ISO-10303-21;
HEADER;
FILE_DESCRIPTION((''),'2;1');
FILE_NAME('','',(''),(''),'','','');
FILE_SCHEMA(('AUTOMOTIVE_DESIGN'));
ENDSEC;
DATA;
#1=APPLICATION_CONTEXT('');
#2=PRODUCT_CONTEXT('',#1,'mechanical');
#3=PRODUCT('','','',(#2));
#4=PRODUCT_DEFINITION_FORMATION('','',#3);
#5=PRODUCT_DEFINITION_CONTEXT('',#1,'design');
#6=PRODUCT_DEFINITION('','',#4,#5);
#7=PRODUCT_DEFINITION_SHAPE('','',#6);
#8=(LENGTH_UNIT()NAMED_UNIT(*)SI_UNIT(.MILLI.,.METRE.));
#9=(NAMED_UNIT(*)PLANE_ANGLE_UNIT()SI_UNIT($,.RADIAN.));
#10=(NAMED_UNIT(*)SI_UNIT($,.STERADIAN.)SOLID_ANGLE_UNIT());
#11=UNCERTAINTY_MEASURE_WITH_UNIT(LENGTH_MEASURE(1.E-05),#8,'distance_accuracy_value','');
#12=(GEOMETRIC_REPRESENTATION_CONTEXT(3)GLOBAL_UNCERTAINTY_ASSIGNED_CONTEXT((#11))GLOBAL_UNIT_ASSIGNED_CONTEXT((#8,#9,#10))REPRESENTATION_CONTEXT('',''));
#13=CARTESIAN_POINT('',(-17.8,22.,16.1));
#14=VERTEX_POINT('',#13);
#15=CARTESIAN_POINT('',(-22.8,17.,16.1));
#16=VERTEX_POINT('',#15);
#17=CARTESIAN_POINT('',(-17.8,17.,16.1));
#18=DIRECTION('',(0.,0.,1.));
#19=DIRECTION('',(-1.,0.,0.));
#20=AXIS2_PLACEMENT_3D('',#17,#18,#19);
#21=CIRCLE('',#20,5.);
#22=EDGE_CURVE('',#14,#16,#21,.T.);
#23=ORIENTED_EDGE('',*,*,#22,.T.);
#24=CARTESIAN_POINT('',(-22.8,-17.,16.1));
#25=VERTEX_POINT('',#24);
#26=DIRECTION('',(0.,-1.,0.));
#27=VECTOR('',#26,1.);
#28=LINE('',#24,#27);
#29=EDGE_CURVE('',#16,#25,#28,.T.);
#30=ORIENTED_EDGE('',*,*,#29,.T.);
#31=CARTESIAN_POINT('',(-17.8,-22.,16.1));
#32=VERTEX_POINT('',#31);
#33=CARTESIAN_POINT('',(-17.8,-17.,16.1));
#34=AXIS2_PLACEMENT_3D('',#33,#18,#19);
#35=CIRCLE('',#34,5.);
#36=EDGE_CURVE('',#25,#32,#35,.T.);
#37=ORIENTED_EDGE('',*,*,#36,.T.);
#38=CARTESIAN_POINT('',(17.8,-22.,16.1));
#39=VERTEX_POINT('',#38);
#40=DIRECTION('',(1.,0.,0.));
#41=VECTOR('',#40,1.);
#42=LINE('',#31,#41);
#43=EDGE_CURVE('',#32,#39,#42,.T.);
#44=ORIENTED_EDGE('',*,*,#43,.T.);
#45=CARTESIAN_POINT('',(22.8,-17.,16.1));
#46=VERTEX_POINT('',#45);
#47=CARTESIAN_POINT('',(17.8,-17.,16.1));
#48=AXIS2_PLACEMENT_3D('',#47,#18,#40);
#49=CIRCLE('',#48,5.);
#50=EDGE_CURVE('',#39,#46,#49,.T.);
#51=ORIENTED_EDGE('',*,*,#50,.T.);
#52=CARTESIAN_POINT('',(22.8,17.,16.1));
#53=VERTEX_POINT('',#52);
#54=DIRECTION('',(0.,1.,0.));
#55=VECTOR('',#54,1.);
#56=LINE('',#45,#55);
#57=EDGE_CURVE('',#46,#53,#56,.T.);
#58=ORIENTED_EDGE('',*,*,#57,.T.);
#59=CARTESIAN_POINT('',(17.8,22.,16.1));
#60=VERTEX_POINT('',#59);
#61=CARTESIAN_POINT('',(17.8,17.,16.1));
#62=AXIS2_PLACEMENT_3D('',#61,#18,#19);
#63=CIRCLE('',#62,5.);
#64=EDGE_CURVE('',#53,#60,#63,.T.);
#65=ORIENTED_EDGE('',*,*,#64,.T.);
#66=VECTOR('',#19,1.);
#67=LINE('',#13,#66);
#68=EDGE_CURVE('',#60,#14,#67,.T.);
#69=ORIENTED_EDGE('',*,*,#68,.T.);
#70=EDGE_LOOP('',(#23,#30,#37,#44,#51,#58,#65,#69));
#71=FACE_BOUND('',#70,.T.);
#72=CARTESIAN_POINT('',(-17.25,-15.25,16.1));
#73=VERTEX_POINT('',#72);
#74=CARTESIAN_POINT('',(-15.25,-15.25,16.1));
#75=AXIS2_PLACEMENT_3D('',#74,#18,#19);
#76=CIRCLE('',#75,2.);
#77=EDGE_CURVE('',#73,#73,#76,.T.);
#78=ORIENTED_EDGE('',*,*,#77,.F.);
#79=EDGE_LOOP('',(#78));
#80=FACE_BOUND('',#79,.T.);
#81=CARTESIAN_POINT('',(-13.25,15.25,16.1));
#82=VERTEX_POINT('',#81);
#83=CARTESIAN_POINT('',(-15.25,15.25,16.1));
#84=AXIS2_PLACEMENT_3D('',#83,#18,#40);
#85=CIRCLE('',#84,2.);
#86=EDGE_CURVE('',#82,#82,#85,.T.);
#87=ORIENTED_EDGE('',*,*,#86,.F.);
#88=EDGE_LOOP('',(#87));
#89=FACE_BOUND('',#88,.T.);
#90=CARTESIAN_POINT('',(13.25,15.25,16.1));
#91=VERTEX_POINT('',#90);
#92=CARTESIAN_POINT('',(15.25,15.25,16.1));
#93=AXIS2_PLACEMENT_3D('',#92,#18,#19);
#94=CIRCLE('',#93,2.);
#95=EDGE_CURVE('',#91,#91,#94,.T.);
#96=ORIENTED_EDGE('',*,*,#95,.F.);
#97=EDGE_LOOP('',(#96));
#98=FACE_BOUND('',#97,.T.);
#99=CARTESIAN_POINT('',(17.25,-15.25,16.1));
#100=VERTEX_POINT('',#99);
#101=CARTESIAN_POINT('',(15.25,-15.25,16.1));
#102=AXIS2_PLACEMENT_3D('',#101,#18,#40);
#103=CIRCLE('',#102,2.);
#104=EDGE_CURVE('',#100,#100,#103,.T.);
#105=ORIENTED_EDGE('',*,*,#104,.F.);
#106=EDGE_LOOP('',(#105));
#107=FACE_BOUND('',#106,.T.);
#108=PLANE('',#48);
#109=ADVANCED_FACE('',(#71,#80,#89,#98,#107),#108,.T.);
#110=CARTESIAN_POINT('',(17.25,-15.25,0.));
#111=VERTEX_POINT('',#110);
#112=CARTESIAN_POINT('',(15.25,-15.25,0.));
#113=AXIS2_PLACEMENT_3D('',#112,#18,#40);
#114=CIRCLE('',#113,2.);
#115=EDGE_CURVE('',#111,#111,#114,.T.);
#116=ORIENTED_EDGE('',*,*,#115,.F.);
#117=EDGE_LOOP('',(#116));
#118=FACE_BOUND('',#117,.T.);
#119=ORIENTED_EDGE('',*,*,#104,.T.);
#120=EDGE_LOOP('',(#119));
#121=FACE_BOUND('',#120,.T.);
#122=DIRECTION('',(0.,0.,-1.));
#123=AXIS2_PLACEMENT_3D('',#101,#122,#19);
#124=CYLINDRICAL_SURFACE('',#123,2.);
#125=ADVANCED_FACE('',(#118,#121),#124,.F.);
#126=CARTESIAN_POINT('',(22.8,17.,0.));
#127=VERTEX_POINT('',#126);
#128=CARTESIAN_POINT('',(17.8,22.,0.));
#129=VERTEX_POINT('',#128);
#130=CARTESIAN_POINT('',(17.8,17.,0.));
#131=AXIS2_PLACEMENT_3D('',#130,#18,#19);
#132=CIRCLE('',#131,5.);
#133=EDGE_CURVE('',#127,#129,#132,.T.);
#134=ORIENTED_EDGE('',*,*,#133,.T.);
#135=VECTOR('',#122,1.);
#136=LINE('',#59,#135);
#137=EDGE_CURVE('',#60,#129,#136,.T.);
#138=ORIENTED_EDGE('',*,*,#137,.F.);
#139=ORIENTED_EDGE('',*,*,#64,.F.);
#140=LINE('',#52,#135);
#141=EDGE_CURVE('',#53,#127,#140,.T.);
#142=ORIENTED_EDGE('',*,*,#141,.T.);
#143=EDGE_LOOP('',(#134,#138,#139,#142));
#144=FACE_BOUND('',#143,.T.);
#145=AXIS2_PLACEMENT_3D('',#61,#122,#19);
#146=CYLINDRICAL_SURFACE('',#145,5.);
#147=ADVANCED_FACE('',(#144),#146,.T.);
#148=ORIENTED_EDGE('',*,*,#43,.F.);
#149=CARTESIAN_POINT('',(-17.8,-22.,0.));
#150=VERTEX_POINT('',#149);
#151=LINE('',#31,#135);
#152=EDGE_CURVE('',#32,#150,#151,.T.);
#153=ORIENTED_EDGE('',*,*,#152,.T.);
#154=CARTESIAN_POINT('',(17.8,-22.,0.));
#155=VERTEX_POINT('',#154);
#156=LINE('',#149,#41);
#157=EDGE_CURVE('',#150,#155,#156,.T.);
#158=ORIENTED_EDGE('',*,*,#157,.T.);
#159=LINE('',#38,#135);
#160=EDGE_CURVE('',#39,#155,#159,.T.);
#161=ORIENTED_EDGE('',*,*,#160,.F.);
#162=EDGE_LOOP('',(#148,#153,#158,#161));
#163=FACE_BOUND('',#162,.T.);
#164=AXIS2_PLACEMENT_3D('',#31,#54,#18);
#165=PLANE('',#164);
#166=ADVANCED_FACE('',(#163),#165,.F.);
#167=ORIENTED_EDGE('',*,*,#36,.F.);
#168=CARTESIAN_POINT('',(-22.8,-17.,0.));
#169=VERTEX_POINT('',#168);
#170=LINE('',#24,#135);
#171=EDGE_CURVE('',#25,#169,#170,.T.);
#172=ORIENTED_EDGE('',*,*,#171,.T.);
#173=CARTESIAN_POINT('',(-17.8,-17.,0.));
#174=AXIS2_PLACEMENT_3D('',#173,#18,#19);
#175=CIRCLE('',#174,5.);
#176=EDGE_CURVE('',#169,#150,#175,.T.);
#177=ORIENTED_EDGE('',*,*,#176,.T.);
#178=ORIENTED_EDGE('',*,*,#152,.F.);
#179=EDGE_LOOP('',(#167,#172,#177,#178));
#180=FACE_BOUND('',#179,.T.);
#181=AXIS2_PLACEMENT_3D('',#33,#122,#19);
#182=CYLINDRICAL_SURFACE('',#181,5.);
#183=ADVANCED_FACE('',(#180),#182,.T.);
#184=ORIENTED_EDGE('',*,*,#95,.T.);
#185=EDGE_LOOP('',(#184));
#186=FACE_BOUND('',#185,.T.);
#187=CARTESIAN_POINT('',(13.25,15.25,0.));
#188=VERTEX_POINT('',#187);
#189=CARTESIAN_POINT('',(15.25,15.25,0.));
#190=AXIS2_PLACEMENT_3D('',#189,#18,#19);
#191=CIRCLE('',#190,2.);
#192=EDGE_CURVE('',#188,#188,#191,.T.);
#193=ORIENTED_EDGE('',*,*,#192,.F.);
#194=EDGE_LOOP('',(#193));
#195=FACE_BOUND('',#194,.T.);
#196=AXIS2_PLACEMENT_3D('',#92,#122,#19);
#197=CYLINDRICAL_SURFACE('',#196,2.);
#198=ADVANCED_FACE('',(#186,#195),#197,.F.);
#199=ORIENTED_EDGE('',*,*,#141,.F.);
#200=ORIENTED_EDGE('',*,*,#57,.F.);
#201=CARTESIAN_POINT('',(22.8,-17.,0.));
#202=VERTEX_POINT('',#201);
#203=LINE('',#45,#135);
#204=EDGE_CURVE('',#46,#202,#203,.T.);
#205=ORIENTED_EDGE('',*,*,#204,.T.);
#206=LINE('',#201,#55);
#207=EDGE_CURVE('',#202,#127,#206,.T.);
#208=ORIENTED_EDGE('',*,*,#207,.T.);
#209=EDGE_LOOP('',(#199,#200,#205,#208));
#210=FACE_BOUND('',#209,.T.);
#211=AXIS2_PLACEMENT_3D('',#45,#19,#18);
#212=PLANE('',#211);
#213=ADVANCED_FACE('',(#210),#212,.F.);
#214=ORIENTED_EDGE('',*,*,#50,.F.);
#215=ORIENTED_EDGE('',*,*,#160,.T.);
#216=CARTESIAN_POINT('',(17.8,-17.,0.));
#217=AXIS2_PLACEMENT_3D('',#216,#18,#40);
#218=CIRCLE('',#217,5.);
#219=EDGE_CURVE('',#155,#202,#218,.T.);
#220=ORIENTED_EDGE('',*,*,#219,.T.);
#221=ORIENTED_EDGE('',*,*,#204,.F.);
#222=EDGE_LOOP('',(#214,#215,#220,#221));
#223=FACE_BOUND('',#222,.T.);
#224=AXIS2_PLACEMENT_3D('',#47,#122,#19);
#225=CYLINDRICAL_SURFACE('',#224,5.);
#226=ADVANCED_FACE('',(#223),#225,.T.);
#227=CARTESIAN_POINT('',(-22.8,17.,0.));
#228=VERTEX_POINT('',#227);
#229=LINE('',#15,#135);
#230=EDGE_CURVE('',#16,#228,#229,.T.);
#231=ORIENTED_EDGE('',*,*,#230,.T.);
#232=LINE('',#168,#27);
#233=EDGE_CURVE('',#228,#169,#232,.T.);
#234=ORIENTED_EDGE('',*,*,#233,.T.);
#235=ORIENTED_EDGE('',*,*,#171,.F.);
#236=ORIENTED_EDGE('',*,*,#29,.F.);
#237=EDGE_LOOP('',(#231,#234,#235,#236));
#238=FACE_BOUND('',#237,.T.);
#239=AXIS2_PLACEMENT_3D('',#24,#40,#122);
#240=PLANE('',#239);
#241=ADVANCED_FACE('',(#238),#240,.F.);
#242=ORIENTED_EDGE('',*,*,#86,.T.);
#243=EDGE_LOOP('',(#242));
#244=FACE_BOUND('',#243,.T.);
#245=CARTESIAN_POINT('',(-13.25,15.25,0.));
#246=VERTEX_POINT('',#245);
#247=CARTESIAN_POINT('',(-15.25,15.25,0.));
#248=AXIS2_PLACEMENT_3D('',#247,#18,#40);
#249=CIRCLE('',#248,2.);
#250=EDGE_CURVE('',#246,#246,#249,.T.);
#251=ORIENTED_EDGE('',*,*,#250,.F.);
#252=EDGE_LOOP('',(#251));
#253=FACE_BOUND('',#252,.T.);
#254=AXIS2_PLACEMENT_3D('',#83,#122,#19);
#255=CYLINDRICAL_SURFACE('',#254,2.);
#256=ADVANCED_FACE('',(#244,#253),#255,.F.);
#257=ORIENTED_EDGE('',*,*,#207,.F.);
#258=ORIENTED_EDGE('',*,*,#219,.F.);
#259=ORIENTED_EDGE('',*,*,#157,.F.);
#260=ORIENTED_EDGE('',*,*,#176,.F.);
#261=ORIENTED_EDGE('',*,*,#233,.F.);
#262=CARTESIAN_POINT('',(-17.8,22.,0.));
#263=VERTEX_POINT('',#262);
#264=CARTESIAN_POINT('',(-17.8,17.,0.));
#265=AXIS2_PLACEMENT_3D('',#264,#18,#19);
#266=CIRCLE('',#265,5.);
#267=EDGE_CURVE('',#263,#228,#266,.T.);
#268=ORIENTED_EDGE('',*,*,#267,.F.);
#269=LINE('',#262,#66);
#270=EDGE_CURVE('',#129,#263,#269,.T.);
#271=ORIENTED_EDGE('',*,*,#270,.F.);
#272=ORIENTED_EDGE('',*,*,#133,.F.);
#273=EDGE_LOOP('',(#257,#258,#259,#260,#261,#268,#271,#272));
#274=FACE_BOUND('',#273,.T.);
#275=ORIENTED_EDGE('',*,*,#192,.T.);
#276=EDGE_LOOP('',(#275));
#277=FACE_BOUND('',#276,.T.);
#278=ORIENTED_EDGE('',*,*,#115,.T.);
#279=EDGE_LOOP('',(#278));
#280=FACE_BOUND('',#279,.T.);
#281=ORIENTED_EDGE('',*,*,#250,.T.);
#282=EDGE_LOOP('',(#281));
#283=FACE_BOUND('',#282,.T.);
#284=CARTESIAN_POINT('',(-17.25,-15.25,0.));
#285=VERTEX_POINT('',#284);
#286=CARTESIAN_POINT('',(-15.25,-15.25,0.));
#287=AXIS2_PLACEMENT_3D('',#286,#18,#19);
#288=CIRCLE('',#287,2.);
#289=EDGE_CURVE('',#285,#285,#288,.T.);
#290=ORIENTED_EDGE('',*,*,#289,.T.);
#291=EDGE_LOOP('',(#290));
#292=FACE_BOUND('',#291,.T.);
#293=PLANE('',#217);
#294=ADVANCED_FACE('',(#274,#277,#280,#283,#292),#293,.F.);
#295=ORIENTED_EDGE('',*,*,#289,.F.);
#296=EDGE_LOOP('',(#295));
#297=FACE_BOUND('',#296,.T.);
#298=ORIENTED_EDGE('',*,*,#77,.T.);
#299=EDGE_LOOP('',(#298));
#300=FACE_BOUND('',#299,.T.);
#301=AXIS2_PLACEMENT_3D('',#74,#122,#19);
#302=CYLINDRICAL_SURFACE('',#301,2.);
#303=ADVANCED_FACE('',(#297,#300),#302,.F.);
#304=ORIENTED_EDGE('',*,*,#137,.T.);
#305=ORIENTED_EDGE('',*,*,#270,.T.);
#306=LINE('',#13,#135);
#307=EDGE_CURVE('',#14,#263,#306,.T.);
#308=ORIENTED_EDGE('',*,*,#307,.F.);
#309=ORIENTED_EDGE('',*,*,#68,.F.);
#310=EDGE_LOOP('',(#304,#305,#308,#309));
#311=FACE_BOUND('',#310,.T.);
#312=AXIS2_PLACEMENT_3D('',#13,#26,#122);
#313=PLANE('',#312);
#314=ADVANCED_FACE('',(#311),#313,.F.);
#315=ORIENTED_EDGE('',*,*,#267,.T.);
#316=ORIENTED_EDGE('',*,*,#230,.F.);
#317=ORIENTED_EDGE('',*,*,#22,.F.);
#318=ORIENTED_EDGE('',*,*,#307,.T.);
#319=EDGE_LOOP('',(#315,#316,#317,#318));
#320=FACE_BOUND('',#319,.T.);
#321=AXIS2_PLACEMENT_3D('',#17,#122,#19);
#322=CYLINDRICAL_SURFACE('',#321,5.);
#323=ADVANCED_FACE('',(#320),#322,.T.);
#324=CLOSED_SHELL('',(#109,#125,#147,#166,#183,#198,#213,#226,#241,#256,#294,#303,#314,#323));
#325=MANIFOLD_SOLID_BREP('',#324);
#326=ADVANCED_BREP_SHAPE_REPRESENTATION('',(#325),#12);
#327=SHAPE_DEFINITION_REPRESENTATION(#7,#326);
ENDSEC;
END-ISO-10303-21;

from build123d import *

# Parameters (mm, degrees)
SKETCH3_R           = 2
BOSS_EXTRUDE1_DEPTH = 16.1


with BuildPart() as part:
    # Sketch3 → Boss-Extrude1 (new body)
    with BuildSketch(Plane.XY):
        with BuildLine():
            Line((-17.8, -22), (17.8, -22))
            ThreePointArc((17.8, -22), (21.335533906, -20.535533906), (22.8, -17))
            Line((22.8, -17), (22.8, 17))
            ThreePointArc((22.8, 17), (21.335533906, 20.535533906), (17.8, 22))
            Line((17.8, 22), (-17.8, 22))
            ThreePointArc((-17.8, 22), (-21.335533906, 20.535533906), (-22.8, 17))
            Line((-22.8, 17), (-22.8, -17))
            ThreePointArc((-22.8, -17), (-21.335533906, -20.535533906), (-17.8, -22))
        make_face()
        with Locations((-15.25, 15.25)):
            Circle(SKETCH3_R, mode=Mode.SUBTRACT)
        with Locations(Location((15.25, 15.25, 0), (0, 0, 180))):
            Circle(SKETCH3_R, mode=Mode.SUBTRACT)
        with Locations((15.25, -15.25)):
            Circle(SKETCH3_R, mode=Mode.SUBTRACT)
        with Locations(Location((-15.25, -15.25, 0), (0, 0, 180))):
            Circle(SKETCH3_R, mode=Mode.SUBTRACT)
    extrude(amount=BOSS_EXTRUDE1_DEPTH)


solid = part.part
